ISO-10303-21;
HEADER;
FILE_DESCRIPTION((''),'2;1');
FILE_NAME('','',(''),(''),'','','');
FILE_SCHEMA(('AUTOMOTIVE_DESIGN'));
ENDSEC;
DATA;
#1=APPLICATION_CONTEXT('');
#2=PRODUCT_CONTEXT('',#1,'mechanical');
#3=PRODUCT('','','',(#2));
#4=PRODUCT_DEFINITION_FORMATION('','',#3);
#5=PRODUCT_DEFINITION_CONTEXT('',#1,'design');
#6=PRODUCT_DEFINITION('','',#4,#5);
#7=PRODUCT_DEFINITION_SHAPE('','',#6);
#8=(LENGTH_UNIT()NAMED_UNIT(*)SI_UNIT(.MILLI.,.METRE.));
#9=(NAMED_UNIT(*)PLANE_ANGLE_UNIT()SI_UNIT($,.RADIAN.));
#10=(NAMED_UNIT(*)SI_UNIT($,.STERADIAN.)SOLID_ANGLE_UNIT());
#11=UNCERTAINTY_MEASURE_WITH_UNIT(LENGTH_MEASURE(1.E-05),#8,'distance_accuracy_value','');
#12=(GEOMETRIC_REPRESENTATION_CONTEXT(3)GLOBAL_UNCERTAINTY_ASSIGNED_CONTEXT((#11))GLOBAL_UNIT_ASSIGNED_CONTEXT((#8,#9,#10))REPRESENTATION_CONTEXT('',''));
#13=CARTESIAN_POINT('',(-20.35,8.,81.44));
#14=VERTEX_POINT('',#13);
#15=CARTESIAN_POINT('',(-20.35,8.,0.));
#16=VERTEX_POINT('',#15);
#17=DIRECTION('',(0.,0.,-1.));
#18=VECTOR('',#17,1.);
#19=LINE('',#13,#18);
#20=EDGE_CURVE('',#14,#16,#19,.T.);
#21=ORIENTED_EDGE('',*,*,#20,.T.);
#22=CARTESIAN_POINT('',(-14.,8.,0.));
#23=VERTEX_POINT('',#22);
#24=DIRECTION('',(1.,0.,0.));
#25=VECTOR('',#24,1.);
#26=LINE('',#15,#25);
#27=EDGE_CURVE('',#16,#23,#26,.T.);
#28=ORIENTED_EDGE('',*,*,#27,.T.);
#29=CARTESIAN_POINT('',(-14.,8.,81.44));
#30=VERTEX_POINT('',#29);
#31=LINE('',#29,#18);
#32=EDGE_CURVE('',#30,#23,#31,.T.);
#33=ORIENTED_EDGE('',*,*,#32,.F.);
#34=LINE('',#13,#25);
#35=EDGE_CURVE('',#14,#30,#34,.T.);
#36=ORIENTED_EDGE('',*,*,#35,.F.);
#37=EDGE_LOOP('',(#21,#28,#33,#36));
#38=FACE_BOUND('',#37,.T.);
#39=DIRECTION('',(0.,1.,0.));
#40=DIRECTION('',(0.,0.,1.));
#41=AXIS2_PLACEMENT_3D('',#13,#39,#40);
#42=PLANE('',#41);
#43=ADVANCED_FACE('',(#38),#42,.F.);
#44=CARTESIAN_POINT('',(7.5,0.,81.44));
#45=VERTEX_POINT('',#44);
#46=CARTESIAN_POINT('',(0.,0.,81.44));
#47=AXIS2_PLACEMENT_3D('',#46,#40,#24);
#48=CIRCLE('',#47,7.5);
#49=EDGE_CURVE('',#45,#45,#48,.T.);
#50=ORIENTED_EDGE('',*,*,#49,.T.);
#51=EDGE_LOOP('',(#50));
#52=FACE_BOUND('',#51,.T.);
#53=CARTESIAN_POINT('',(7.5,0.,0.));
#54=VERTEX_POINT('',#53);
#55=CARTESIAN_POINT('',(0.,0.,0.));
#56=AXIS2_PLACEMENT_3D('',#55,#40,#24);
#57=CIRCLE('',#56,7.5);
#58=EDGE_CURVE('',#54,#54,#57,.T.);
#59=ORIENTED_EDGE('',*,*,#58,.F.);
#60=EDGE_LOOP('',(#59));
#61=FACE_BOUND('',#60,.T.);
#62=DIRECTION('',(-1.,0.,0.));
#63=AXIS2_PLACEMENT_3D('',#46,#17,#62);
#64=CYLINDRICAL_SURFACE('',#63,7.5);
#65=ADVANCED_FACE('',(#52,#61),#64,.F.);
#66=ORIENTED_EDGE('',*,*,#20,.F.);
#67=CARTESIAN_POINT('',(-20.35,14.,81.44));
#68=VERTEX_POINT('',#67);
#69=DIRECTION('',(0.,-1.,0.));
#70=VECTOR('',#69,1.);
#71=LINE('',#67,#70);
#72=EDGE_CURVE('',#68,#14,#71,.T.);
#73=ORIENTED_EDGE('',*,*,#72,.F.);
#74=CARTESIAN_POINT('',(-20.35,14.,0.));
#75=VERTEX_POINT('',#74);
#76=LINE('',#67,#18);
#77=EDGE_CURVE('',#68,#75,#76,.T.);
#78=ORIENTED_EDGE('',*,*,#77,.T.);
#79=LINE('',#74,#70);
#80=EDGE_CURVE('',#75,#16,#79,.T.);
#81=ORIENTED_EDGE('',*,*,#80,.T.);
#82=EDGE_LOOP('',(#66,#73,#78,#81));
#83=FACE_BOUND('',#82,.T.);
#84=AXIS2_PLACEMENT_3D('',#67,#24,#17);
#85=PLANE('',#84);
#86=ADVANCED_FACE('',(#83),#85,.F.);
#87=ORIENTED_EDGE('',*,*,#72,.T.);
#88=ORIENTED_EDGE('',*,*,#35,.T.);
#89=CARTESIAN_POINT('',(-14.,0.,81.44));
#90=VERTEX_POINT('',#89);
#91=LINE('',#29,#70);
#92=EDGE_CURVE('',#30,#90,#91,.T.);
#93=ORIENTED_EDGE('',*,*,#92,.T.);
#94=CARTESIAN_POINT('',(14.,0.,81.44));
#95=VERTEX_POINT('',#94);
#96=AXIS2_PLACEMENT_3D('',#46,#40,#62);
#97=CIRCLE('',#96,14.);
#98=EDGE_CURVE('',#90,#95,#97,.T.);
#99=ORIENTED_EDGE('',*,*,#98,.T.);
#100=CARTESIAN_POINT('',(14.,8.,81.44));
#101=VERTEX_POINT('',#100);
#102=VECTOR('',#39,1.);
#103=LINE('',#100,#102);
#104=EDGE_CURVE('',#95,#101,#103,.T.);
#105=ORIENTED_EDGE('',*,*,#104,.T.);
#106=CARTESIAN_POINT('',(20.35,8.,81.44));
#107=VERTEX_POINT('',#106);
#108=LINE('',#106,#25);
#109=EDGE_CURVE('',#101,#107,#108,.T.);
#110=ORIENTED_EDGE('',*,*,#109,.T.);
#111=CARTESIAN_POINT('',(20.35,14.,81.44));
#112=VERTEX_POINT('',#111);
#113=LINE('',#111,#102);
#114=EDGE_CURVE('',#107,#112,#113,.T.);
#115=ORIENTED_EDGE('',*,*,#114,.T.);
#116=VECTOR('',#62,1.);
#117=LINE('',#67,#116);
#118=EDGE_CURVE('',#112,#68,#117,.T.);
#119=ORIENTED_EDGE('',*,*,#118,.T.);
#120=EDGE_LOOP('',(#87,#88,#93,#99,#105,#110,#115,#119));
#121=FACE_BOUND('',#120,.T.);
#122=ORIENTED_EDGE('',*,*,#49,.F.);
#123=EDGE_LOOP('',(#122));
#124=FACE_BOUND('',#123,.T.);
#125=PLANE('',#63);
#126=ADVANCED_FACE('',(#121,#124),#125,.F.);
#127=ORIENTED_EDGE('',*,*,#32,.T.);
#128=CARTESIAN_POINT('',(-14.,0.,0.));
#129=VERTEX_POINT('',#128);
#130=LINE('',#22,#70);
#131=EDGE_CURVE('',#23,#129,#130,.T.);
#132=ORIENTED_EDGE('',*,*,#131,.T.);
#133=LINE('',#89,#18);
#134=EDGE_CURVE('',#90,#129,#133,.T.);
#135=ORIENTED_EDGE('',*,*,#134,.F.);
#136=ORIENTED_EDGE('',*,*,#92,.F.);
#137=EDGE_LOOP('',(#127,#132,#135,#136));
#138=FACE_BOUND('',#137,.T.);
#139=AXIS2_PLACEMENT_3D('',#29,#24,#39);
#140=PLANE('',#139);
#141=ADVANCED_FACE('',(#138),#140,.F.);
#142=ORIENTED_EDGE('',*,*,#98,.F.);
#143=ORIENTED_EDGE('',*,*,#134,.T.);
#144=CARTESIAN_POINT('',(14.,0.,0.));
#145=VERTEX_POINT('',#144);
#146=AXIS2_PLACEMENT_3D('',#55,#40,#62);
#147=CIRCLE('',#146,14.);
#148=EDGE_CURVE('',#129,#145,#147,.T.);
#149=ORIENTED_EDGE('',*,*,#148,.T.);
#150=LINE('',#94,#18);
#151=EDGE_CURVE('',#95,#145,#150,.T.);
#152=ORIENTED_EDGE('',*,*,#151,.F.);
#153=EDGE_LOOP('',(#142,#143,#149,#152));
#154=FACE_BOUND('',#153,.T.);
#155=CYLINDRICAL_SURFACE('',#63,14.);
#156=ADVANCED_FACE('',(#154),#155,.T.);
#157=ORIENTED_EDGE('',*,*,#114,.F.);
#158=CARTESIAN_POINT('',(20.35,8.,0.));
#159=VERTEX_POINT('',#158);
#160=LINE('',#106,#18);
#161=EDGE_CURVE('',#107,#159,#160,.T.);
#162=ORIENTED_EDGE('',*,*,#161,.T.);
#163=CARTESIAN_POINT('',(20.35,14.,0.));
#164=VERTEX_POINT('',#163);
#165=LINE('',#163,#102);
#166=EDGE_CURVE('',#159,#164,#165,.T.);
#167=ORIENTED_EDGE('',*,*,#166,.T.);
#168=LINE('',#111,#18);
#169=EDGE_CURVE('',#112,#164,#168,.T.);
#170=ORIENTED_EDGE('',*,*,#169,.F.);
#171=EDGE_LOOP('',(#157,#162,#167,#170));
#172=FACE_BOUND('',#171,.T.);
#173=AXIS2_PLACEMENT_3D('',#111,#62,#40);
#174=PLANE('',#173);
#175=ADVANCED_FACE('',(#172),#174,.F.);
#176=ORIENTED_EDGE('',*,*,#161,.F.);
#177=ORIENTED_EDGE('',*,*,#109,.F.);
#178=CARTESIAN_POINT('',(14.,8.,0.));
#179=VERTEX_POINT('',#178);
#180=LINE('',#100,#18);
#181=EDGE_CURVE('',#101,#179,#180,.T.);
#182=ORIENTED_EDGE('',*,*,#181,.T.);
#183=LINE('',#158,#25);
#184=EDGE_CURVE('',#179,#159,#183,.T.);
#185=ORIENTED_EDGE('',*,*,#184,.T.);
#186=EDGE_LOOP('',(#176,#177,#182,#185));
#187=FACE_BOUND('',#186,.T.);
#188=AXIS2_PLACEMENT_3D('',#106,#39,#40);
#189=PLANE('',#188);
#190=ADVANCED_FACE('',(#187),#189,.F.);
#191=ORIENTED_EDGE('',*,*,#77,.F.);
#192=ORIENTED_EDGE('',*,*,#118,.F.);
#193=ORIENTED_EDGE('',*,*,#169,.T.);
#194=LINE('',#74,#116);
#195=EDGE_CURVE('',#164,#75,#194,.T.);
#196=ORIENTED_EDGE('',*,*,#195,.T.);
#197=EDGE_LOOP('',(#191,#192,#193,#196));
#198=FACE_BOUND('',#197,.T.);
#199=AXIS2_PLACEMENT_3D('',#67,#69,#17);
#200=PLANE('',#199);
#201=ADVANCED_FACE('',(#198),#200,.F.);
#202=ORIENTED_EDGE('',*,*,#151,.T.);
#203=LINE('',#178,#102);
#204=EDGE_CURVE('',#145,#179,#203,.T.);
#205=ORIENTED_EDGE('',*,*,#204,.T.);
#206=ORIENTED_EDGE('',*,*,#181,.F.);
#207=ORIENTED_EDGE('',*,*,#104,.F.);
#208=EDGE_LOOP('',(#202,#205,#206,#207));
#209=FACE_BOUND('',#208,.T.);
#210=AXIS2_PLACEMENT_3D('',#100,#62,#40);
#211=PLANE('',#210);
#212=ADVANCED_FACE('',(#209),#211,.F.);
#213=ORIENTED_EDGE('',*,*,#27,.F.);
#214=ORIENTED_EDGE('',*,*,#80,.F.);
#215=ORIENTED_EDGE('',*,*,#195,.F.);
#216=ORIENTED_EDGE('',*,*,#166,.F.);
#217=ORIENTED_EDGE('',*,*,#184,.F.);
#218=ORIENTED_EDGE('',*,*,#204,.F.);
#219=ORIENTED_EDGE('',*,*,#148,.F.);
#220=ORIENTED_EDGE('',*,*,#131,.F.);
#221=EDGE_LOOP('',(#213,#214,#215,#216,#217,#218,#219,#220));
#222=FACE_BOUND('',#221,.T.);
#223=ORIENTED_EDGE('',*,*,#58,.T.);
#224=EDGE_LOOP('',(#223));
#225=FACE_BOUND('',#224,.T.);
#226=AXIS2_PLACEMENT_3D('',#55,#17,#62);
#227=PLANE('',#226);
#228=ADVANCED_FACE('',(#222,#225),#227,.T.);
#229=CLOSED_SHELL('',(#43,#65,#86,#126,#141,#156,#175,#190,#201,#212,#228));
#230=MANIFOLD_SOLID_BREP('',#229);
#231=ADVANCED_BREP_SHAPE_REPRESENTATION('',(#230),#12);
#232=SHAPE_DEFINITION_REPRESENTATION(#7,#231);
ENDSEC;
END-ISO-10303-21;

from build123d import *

# Parameters (mm, degrees)
SKETCH1_R           = 7.5
BOSS_EXTRUDE1_DEPTH = 81.44


with BuildPart() as part:
    # Sketch1 → Boss-Extrude1 (new body)
    with BuildSketch(Plane.XY):
        with BuildLine():
            Line((-20.35, 14), (20.35, 14))
            Line((20.35, 14), (20.35, 8))
            Line((20.35, 8), (14, 8))
            Line((14, 8), (14, 0))
            ThreePointArc((14, 0), (0, -14), (-14, 0))
            Line((-14, 0), (-14, 8))
            Line((-14, 8), (-20.35, 8))
            Line((-20.35, 8), (-20.35, 14))
        make_face()
        Circle(SKETCH1_R, mode=Mode.SUBTRACT)
    extrude(amount=BOSS_EXTRUDE1_DEPTH)


solid = part.part
